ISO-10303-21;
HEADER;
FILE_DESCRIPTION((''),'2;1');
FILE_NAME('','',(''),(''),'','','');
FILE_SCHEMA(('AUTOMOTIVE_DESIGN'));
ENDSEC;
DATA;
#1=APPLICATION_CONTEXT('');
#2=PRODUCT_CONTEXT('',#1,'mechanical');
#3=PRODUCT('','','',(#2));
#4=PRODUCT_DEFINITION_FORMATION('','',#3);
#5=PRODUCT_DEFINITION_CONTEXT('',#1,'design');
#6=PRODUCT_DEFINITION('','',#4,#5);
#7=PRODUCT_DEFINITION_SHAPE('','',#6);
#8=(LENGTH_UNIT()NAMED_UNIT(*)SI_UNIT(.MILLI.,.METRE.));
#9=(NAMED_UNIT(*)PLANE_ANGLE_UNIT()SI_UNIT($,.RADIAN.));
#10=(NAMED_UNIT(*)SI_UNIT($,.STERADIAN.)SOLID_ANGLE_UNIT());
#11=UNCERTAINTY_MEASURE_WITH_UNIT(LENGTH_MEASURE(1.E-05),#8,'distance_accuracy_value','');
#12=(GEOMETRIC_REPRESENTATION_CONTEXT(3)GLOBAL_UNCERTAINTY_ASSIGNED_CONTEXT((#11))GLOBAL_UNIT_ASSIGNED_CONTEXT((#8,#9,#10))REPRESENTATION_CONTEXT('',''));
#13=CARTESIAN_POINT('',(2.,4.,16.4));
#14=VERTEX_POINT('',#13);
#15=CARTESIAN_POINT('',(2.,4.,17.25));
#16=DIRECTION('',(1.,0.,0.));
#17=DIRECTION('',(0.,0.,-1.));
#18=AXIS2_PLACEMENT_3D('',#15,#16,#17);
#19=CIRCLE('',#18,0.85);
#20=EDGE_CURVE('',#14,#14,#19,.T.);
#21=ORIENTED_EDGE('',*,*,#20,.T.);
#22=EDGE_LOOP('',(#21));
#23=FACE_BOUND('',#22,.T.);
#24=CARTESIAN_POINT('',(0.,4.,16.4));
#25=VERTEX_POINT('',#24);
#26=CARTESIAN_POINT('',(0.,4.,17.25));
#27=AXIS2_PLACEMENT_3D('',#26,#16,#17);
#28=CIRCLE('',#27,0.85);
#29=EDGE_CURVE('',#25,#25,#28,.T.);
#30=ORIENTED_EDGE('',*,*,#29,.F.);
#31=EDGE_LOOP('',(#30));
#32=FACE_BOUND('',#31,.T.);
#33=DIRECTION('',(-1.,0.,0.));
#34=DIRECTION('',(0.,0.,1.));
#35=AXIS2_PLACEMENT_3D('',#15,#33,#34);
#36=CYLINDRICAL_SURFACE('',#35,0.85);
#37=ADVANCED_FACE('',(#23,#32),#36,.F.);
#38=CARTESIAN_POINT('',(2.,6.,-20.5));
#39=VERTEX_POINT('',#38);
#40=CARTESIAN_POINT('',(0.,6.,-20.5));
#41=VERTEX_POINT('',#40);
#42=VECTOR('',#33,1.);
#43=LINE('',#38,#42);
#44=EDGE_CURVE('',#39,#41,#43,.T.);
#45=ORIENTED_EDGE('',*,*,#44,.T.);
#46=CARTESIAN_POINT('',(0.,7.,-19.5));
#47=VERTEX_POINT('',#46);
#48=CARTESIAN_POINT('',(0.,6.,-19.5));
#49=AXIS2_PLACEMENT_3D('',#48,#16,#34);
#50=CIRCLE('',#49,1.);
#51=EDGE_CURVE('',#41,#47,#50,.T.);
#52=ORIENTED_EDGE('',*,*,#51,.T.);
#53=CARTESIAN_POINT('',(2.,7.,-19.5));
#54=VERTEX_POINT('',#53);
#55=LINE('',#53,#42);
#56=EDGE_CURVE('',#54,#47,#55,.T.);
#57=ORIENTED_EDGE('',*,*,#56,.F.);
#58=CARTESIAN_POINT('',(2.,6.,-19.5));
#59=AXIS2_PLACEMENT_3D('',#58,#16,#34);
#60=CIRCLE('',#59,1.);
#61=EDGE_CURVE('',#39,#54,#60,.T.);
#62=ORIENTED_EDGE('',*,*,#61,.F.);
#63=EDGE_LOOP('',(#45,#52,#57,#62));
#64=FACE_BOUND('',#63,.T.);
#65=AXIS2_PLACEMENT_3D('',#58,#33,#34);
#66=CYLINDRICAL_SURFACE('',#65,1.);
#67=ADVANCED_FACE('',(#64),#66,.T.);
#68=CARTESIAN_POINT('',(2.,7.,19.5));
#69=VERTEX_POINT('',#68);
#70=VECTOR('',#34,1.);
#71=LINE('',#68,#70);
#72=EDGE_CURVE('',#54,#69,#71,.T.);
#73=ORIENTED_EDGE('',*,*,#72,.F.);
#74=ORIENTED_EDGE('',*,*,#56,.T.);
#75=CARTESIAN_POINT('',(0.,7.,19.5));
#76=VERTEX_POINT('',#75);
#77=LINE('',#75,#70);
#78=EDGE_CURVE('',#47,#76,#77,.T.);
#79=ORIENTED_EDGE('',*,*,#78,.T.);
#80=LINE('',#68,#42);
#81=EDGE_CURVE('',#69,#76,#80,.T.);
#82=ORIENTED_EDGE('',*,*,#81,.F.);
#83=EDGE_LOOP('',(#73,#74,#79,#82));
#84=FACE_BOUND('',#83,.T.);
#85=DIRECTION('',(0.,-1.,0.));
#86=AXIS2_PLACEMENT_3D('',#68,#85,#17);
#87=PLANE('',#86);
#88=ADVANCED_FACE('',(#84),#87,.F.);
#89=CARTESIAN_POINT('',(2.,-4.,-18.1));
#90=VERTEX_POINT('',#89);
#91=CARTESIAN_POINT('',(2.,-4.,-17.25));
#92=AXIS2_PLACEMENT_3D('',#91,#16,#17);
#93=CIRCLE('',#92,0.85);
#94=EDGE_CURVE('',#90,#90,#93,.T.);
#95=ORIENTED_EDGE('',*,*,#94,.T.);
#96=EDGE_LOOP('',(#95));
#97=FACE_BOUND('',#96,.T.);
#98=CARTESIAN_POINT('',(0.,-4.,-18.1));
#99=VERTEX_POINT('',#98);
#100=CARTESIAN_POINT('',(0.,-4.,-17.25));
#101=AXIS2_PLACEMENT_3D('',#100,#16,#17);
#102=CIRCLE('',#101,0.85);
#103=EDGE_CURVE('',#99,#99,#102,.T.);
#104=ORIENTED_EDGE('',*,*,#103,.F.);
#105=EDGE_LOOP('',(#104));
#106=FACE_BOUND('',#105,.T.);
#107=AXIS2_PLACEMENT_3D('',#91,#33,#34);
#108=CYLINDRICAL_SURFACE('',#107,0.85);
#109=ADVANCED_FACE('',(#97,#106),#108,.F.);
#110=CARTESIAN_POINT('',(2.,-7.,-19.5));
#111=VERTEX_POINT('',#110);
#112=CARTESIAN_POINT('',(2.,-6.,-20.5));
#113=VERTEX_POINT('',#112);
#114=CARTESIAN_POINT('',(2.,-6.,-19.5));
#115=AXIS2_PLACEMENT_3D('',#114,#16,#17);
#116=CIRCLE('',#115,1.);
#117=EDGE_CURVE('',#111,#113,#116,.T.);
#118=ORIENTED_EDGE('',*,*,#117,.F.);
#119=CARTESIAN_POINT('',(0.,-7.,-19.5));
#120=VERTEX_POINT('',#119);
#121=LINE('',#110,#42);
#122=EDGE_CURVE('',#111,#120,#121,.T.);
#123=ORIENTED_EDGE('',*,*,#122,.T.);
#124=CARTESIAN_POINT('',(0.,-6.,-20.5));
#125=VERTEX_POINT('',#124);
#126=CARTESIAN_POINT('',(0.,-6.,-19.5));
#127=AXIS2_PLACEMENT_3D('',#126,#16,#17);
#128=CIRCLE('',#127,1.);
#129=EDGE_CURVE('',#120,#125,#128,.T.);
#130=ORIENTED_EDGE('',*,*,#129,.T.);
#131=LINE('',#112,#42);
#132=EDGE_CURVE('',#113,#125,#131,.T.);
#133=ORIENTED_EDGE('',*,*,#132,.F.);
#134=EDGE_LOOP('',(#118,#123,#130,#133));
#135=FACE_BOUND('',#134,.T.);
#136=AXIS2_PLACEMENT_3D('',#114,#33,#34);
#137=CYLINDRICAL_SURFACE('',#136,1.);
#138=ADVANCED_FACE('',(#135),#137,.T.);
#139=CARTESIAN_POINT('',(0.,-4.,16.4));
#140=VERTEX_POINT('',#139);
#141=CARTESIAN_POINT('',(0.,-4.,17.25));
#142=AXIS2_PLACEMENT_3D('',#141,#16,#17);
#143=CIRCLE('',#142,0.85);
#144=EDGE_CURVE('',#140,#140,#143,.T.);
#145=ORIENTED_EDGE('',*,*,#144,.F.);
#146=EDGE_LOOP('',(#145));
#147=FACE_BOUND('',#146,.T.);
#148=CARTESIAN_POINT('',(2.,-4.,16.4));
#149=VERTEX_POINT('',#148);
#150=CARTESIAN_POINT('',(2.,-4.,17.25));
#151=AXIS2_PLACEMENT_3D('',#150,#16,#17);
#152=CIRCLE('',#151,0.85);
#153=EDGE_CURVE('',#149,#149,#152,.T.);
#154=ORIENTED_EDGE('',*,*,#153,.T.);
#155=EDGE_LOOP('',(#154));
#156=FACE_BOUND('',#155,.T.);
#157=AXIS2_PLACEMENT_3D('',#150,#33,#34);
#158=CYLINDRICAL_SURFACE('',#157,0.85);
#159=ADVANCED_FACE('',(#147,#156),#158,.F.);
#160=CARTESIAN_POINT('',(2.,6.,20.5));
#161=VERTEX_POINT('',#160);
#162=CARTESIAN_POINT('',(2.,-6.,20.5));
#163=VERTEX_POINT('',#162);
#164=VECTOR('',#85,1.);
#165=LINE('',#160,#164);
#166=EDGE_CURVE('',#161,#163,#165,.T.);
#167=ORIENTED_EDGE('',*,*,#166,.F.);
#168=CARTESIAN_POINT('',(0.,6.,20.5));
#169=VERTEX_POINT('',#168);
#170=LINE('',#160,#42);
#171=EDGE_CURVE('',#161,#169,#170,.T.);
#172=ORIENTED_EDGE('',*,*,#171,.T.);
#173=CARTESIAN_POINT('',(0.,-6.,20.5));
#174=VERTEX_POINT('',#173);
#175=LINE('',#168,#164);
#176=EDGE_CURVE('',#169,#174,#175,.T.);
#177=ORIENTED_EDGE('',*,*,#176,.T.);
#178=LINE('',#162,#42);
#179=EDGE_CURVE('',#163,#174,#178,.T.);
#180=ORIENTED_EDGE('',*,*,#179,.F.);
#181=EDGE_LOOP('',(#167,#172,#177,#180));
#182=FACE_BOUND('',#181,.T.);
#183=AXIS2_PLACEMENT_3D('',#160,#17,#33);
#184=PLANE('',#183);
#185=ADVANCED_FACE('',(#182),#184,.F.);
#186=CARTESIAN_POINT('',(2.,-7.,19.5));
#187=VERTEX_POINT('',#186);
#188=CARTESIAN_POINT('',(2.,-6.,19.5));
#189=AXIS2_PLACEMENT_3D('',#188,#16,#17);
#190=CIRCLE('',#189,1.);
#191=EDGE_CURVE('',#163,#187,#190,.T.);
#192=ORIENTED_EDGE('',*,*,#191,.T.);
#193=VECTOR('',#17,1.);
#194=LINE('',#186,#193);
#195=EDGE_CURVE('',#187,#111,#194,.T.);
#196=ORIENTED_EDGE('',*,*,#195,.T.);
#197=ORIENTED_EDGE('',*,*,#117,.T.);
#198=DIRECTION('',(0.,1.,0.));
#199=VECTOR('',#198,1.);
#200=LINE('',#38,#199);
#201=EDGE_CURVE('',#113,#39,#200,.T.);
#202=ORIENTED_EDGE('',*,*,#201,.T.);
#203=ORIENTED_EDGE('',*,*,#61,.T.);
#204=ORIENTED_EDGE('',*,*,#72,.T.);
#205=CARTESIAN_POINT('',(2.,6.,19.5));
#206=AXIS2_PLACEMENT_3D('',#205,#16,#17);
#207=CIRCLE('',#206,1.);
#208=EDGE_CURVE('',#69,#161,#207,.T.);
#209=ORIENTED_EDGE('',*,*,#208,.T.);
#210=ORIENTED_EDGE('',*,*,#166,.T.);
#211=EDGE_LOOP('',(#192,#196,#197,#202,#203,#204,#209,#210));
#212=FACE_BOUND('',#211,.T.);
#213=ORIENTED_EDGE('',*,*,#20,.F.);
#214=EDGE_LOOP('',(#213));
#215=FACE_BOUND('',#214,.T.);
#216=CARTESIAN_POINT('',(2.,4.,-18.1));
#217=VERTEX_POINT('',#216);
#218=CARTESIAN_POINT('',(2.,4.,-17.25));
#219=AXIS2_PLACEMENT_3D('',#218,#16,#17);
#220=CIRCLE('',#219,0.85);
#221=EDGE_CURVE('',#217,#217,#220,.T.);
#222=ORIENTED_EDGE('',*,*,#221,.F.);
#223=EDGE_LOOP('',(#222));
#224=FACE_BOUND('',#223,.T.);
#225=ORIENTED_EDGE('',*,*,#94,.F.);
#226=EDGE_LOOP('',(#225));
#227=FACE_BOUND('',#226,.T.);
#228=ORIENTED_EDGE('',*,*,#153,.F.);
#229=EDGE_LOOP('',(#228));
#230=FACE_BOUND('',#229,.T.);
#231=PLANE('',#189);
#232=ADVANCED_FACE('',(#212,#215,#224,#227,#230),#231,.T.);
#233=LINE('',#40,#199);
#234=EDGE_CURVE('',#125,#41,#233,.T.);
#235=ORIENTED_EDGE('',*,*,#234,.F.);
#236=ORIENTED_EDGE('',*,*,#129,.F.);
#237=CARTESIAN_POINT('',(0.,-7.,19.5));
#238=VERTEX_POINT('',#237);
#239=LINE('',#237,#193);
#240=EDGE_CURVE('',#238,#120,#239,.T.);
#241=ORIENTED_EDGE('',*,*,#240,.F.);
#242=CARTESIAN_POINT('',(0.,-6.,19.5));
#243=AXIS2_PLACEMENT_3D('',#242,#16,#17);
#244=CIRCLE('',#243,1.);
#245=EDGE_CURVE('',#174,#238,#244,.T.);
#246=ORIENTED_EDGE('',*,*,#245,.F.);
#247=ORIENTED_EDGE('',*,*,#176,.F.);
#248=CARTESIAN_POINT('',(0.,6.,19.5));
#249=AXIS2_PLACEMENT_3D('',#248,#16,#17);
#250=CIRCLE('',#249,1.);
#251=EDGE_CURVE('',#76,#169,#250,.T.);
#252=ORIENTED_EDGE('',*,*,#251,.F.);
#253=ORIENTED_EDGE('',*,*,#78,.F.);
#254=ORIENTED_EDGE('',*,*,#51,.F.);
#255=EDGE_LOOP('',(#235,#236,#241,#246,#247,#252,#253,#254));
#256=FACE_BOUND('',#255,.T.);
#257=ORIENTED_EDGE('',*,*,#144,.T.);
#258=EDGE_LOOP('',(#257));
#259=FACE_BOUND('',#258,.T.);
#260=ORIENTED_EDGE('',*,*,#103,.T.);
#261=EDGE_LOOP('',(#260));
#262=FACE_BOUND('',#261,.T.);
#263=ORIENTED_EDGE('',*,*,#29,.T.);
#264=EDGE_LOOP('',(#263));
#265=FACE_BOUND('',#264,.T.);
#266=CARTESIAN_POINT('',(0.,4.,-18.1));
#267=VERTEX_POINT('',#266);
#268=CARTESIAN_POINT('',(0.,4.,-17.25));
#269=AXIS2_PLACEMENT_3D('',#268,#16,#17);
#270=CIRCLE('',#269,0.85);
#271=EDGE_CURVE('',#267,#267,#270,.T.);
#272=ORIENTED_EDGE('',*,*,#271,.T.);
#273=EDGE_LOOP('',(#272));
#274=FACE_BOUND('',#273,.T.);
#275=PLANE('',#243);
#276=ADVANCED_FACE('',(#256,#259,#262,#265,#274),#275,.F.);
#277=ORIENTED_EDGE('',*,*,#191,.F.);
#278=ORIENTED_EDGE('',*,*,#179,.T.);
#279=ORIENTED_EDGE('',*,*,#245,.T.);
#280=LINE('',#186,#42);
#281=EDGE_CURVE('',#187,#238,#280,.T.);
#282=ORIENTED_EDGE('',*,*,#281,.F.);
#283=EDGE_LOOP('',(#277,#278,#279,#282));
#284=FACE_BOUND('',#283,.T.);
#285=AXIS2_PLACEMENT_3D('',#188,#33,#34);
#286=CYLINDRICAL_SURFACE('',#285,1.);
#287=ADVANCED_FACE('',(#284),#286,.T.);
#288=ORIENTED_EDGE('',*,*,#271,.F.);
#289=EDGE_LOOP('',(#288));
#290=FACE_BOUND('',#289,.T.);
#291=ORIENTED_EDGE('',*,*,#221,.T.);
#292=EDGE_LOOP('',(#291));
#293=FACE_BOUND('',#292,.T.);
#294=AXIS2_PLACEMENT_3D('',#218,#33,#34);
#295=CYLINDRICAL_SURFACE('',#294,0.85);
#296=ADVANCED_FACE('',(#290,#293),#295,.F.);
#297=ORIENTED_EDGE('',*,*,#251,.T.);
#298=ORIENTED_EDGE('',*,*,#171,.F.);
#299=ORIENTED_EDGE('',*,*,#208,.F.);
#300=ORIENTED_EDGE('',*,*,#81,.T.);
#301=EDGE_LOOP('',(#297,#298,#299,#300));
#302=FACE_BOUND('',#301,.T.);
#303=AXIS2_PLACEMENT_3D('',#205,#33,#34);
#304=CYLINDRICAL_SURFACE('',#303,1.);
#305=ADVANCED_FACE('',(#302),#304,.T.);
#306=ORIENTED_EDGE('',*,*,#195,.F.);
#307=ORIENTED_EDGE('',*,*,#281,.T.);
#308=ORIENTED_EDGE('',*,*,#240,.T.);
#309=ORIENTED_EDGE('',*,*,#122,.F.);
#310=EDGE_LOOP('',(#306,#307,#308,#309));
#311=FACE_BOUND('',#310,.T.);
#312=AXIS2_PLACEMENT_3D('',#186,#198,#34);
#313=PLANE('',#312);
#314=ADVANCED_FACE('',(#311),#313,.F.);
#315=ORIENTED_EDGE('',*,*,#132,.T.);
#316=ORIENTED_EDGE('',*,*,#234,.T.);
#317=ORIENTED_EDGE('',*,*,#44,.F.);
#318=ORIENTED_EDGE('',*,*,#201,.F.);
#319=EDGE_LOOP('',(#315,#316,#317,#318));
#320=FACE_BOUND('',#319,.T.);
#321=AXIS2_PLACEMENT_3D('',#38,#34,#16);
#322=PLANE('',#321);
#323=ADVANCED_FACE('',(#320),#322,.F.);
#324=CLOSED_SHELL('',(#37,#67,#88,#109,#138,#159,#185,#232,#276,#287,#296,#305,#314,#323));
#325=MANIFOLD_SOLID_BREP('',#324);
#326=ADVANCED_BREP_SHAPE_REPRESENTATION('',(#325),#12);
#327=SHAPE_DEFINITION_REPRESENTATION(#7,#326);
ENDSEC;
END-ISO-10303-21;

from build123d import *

# Parameters (mm, degrees)
SKETCH_1_R      = 0.85
EXTRUDE_1_DEPTH = 2


with BuildPart() as part:
    # 草图1 → 凸台-拉伸1 (new body)
    with BuildSketch(Plane(origin=(0, 0, 0), x_dir=(0, 0, -1), z_dir=(1, 0, 0))):
        with BuildLine():
            Line((-19.5, 7), (19.5, 7))
            ThreePointArc((19.5, 7), (20.207106781, 6.707106781), (20.5, 6))
            Line((20.5, 6), (20.5, -6))
            ThreePointArc((20.5, -6), (20.207106781, -6.707106781), (19.5, -7))
            Line((19.5, -7), (-19.5, -7))
            ThreePointArc((-19.5, -7), (-20.207106781, -6.707106781), (-20.5, -6))
            Line((-20.5, -6), (-20.5, 6))
            ThreePointArc((-20.5, 6), (-20.207106781, 6.707106781), (-19.5, 7))
        make_face()
        with Locations((-17.25, 4)):
            Circle(SKETCH_1_R, mode=Mode.SUBTRACT)
        with Locations((-17.25, -4)):
            Circle(SKETCH_1_R, mode=Mode.SUBTRACT)
        with Locations((17.25, -4)):
            Circle(SKETCH_1_R, mode=Mode.SUBTRACT)
        with Locations((17.25, 4)):
            Circle(SKETCH_1_R, mode=Mode.SUBTRACT)
    extrude(amount=EXTRUDE_1_DEPTH)


solid = part.part
